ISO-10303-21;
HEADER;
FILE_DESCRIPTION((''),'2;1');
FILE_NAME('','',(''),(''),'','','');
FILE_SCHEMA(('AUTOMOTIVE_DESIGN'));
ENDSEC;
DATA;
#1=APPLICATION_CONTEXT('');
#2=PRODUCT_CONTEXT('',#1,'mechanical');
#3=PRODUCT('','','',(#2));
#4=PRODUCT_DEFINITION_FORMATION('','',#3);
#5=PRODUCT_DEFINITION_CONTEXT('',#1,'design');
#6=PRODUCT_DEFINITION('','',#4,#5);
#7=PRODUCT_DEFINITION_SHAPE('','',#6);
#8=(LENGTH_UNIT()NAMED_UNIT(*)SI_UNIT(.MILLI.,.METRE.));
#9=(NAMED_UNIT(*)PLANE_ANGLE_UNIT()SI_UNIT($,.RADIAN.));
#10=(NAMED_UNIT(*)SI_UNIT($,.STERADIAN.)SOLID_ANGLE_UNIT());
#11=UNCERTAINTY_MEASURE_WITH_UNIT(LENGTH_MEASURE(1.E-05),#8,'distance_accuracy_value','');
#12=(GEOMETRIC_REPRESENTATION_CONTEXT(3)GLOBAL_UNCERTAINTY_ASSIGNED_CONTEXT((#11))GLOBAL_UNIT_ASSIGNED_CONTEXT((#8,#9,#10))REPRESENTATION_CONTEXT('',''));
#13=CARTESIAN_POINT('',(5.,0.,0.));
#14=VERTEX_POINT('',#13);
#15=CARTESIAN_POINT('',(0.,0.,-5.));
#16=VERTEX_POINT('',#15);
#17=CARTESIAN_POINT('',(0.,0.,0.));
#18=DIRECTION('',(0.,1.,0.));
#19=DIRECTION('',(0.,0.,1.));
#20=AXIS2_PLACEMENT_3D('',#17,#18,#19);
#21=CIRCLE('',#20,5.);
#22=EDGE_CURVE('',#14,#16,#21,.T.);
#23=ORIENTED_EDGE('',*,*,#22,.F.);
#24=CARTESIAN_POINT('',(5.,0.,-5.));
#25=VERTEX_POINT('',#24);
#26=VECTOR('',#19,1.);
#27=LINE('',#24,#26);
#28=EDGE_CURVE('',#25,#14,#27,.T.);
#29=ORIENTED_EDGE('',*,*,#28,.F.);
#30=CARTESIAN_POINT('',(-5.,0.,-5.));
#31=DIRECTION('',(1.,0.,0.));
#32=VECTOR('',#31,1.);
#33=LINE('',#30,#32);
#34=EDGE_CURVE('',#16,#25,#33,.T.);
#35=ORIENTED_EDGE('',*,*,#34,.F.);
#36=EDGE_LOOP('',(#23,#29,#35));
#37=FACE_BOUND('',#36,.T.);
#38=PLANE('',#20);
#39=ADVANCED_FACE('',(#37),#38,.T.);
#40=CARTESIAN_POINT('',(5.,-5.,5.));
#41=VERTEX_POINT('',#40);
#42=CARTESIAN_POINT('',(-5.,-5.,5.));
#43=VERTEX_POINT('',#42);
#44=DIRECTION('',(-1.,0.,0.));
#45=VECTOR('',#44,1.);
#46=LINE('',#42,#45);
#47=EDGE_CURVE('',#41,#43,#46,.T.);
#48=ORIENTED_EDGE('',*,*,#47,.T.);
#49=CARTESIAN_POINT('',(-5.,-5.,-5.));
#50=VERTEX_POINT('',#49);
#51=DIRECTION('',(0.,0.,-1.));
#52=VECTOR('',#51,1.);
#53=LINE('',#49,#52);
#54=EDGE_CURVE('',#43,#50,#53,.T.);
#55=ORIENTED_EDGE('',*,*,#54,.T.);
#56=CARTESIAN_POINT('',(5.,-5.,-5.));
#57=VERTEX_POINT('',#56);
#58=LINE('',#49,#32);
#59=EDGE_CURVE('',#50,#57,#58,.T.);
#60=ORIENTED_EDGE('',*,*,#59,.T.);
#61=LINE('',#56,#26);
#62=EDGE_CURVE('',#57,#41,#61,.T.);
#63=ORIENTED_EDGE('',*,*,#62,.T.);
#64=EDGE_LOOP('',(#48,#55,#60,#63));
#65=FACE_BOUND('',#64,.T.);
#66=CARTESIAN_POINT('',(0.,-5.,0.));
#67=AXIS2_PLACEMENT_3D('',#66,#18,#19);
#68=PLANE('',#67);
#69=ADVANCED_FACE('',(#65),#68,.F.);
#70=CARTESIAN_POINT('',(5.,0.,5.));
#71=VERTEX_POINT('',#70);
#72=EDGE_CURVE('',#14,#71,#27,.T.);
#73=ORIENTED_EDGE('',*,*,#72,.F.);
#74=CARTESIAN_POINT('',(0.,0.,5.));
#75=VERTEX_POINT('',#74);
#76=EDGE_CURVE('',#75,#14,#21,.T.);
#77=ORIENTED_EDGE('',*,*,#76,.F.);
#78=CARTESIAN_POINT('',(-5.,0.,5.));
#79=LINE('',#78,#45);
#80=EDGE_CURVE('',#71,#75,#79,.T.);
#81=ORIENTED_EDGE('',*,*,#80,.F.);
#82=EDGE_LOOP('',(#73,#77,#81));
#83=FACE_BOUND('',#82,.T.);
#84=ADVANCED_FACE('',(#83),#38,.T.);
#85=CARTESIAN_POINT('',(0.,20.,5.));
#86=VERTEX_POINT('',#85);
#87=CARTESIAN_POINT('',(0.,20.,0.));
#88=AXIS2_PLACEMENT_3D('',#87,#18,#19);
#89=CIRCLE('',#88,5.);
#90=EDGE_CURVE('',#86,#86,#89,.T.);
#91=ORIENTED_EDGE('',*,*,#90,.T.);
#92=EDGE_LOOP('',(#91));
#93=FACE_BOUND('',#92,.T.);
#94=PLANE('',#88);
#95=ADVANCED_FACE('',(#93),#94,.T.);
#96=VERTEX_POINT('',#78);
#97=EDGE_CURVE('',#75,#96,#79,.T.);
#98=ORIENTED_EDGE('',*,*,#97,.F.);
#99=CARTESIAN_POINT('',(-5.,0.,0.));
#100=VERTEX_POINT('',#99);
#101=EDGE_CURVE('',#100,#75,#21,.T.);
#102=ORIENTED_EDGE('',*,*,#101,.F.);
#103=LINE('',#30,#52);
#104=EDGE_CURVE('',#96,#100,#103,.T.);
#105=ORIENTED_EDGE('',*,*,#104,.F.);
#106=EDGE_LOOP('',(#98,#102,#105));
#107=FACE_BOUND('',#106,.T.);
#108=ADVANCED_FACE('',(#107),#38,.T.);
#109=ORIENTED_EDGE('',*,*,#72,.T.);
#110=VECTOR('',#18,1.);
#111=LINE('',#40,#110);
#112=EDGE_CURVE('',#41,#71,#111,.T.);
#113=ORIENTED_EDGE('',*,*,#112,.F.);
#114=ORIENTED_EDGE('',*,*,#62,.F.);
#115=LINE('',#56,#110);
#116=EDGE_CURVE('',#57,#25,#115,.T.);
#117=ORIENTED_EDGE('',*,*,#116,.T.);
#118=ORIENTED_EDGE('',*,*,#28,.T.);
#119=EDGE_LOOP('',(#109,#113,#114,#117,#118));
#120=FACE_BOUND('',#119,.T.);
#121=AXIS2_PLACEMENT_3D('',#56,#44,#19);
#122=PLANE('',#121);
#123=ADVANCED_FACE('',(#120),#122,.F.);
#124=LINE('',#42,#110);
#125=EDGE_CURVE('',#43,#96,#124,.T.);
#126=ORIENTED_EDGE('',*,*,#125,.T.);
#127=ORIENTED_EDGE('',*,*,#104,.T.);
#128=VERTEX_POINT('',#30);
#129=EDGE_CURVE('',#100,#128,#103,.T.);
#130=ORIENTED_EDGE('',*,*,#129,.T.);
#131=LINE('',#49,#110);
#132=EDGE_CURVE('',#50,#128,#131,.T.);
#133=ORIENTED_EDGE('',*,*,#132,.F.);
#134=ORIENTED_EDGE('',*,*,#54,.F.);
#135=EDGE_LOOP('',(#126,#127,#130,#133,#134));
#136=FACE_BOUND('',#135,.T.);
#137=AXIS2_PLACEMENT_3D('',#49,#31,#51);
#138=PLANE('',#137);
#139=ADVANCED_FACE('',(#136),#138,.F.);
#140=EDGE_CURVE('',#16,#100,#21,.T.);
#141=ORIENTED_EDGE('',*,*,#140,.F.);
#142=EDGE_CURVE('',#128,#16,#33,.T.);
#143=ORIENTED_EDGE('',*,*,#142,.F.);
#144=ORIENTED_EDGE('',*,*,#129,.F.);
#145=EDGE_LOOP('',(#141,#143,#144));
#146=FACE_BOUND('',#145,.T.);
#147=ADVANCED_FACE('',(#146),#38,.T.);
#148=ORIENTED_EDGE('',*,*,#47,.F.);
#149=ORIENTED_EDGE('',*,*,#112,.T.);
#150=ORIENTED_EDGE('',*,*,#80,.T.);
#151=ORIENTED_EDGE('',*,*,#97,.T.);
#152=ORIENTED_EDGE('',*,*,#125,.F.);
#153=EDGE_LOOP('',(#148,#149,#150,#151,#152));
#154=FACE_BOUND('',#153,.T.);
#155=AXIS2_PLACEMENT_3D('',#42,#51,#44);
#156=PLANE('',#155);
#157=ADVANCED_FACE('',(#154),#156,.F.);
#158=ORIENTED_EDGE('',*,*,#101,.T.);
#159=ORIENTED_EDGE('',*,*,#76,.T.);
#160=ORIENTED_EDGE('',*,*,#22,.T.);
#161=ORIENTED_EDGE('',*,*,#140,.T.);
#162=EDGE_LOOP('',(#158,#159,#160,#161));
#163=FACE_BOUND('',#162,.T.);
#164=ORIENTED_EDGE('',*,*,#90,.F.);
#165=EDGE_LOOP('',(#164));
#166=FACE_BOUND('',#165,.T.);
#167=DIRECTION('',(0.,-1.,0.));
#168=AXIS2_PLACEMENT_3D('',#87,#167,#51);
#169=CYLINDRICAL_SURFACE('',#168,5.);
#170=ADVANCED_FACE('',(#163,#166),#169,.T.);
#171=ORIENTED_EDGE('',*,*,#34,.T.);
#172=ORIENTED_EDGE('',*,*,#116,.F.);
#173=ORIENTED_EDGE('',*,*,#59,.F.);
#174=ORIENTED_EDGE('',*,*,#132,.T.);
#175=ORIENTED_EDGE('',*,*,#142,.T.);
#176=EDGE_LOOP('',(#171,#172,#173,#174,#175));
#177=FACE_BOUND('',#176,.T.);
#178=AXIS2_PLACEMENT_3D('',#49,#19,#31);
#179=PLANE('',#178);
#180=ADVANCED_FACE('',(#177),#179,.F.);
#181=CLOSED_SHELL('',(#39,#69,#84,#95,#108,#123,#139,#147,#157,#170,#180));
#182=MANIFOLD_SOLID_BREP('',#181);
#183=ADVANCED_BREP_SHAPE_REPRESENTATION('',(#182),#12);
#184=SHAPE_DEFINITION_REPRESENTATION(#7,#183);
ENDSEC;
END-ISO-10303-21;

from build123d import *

# Parameters (mm, degrees)
SKETCH_1_R      = 5
EXTRUDE_1_DEPTH = 20
SKETCH_2_W      = 10
SKETCH_2_H      = 10
EXTRUDE_2_DEPTH = 5


with BuildPart() as part:
    # 草图1 → 凸台-拉伸1 (new body)
    with BuildSketch(Plane(origin=(0, 0, 0), x_dir=(1, 0, 0), z_dir=(0, 1, 0))):
        with Locations(Location((0, 0, 0), (0, 0, 270))):
            Circle(SKETCH_1_R)
    extrude(amount=EXTRUDE_1_DEPTH)

    # 草图2 → 凸台-拉伸2 (add)
    with BuildSketch(Plane.XZ):
        Rectangle(SKETCH_2_W, SKETCH_2_H)
    extrude(amount=EXTRUDE_2_DEPTH)


solid = part.part
